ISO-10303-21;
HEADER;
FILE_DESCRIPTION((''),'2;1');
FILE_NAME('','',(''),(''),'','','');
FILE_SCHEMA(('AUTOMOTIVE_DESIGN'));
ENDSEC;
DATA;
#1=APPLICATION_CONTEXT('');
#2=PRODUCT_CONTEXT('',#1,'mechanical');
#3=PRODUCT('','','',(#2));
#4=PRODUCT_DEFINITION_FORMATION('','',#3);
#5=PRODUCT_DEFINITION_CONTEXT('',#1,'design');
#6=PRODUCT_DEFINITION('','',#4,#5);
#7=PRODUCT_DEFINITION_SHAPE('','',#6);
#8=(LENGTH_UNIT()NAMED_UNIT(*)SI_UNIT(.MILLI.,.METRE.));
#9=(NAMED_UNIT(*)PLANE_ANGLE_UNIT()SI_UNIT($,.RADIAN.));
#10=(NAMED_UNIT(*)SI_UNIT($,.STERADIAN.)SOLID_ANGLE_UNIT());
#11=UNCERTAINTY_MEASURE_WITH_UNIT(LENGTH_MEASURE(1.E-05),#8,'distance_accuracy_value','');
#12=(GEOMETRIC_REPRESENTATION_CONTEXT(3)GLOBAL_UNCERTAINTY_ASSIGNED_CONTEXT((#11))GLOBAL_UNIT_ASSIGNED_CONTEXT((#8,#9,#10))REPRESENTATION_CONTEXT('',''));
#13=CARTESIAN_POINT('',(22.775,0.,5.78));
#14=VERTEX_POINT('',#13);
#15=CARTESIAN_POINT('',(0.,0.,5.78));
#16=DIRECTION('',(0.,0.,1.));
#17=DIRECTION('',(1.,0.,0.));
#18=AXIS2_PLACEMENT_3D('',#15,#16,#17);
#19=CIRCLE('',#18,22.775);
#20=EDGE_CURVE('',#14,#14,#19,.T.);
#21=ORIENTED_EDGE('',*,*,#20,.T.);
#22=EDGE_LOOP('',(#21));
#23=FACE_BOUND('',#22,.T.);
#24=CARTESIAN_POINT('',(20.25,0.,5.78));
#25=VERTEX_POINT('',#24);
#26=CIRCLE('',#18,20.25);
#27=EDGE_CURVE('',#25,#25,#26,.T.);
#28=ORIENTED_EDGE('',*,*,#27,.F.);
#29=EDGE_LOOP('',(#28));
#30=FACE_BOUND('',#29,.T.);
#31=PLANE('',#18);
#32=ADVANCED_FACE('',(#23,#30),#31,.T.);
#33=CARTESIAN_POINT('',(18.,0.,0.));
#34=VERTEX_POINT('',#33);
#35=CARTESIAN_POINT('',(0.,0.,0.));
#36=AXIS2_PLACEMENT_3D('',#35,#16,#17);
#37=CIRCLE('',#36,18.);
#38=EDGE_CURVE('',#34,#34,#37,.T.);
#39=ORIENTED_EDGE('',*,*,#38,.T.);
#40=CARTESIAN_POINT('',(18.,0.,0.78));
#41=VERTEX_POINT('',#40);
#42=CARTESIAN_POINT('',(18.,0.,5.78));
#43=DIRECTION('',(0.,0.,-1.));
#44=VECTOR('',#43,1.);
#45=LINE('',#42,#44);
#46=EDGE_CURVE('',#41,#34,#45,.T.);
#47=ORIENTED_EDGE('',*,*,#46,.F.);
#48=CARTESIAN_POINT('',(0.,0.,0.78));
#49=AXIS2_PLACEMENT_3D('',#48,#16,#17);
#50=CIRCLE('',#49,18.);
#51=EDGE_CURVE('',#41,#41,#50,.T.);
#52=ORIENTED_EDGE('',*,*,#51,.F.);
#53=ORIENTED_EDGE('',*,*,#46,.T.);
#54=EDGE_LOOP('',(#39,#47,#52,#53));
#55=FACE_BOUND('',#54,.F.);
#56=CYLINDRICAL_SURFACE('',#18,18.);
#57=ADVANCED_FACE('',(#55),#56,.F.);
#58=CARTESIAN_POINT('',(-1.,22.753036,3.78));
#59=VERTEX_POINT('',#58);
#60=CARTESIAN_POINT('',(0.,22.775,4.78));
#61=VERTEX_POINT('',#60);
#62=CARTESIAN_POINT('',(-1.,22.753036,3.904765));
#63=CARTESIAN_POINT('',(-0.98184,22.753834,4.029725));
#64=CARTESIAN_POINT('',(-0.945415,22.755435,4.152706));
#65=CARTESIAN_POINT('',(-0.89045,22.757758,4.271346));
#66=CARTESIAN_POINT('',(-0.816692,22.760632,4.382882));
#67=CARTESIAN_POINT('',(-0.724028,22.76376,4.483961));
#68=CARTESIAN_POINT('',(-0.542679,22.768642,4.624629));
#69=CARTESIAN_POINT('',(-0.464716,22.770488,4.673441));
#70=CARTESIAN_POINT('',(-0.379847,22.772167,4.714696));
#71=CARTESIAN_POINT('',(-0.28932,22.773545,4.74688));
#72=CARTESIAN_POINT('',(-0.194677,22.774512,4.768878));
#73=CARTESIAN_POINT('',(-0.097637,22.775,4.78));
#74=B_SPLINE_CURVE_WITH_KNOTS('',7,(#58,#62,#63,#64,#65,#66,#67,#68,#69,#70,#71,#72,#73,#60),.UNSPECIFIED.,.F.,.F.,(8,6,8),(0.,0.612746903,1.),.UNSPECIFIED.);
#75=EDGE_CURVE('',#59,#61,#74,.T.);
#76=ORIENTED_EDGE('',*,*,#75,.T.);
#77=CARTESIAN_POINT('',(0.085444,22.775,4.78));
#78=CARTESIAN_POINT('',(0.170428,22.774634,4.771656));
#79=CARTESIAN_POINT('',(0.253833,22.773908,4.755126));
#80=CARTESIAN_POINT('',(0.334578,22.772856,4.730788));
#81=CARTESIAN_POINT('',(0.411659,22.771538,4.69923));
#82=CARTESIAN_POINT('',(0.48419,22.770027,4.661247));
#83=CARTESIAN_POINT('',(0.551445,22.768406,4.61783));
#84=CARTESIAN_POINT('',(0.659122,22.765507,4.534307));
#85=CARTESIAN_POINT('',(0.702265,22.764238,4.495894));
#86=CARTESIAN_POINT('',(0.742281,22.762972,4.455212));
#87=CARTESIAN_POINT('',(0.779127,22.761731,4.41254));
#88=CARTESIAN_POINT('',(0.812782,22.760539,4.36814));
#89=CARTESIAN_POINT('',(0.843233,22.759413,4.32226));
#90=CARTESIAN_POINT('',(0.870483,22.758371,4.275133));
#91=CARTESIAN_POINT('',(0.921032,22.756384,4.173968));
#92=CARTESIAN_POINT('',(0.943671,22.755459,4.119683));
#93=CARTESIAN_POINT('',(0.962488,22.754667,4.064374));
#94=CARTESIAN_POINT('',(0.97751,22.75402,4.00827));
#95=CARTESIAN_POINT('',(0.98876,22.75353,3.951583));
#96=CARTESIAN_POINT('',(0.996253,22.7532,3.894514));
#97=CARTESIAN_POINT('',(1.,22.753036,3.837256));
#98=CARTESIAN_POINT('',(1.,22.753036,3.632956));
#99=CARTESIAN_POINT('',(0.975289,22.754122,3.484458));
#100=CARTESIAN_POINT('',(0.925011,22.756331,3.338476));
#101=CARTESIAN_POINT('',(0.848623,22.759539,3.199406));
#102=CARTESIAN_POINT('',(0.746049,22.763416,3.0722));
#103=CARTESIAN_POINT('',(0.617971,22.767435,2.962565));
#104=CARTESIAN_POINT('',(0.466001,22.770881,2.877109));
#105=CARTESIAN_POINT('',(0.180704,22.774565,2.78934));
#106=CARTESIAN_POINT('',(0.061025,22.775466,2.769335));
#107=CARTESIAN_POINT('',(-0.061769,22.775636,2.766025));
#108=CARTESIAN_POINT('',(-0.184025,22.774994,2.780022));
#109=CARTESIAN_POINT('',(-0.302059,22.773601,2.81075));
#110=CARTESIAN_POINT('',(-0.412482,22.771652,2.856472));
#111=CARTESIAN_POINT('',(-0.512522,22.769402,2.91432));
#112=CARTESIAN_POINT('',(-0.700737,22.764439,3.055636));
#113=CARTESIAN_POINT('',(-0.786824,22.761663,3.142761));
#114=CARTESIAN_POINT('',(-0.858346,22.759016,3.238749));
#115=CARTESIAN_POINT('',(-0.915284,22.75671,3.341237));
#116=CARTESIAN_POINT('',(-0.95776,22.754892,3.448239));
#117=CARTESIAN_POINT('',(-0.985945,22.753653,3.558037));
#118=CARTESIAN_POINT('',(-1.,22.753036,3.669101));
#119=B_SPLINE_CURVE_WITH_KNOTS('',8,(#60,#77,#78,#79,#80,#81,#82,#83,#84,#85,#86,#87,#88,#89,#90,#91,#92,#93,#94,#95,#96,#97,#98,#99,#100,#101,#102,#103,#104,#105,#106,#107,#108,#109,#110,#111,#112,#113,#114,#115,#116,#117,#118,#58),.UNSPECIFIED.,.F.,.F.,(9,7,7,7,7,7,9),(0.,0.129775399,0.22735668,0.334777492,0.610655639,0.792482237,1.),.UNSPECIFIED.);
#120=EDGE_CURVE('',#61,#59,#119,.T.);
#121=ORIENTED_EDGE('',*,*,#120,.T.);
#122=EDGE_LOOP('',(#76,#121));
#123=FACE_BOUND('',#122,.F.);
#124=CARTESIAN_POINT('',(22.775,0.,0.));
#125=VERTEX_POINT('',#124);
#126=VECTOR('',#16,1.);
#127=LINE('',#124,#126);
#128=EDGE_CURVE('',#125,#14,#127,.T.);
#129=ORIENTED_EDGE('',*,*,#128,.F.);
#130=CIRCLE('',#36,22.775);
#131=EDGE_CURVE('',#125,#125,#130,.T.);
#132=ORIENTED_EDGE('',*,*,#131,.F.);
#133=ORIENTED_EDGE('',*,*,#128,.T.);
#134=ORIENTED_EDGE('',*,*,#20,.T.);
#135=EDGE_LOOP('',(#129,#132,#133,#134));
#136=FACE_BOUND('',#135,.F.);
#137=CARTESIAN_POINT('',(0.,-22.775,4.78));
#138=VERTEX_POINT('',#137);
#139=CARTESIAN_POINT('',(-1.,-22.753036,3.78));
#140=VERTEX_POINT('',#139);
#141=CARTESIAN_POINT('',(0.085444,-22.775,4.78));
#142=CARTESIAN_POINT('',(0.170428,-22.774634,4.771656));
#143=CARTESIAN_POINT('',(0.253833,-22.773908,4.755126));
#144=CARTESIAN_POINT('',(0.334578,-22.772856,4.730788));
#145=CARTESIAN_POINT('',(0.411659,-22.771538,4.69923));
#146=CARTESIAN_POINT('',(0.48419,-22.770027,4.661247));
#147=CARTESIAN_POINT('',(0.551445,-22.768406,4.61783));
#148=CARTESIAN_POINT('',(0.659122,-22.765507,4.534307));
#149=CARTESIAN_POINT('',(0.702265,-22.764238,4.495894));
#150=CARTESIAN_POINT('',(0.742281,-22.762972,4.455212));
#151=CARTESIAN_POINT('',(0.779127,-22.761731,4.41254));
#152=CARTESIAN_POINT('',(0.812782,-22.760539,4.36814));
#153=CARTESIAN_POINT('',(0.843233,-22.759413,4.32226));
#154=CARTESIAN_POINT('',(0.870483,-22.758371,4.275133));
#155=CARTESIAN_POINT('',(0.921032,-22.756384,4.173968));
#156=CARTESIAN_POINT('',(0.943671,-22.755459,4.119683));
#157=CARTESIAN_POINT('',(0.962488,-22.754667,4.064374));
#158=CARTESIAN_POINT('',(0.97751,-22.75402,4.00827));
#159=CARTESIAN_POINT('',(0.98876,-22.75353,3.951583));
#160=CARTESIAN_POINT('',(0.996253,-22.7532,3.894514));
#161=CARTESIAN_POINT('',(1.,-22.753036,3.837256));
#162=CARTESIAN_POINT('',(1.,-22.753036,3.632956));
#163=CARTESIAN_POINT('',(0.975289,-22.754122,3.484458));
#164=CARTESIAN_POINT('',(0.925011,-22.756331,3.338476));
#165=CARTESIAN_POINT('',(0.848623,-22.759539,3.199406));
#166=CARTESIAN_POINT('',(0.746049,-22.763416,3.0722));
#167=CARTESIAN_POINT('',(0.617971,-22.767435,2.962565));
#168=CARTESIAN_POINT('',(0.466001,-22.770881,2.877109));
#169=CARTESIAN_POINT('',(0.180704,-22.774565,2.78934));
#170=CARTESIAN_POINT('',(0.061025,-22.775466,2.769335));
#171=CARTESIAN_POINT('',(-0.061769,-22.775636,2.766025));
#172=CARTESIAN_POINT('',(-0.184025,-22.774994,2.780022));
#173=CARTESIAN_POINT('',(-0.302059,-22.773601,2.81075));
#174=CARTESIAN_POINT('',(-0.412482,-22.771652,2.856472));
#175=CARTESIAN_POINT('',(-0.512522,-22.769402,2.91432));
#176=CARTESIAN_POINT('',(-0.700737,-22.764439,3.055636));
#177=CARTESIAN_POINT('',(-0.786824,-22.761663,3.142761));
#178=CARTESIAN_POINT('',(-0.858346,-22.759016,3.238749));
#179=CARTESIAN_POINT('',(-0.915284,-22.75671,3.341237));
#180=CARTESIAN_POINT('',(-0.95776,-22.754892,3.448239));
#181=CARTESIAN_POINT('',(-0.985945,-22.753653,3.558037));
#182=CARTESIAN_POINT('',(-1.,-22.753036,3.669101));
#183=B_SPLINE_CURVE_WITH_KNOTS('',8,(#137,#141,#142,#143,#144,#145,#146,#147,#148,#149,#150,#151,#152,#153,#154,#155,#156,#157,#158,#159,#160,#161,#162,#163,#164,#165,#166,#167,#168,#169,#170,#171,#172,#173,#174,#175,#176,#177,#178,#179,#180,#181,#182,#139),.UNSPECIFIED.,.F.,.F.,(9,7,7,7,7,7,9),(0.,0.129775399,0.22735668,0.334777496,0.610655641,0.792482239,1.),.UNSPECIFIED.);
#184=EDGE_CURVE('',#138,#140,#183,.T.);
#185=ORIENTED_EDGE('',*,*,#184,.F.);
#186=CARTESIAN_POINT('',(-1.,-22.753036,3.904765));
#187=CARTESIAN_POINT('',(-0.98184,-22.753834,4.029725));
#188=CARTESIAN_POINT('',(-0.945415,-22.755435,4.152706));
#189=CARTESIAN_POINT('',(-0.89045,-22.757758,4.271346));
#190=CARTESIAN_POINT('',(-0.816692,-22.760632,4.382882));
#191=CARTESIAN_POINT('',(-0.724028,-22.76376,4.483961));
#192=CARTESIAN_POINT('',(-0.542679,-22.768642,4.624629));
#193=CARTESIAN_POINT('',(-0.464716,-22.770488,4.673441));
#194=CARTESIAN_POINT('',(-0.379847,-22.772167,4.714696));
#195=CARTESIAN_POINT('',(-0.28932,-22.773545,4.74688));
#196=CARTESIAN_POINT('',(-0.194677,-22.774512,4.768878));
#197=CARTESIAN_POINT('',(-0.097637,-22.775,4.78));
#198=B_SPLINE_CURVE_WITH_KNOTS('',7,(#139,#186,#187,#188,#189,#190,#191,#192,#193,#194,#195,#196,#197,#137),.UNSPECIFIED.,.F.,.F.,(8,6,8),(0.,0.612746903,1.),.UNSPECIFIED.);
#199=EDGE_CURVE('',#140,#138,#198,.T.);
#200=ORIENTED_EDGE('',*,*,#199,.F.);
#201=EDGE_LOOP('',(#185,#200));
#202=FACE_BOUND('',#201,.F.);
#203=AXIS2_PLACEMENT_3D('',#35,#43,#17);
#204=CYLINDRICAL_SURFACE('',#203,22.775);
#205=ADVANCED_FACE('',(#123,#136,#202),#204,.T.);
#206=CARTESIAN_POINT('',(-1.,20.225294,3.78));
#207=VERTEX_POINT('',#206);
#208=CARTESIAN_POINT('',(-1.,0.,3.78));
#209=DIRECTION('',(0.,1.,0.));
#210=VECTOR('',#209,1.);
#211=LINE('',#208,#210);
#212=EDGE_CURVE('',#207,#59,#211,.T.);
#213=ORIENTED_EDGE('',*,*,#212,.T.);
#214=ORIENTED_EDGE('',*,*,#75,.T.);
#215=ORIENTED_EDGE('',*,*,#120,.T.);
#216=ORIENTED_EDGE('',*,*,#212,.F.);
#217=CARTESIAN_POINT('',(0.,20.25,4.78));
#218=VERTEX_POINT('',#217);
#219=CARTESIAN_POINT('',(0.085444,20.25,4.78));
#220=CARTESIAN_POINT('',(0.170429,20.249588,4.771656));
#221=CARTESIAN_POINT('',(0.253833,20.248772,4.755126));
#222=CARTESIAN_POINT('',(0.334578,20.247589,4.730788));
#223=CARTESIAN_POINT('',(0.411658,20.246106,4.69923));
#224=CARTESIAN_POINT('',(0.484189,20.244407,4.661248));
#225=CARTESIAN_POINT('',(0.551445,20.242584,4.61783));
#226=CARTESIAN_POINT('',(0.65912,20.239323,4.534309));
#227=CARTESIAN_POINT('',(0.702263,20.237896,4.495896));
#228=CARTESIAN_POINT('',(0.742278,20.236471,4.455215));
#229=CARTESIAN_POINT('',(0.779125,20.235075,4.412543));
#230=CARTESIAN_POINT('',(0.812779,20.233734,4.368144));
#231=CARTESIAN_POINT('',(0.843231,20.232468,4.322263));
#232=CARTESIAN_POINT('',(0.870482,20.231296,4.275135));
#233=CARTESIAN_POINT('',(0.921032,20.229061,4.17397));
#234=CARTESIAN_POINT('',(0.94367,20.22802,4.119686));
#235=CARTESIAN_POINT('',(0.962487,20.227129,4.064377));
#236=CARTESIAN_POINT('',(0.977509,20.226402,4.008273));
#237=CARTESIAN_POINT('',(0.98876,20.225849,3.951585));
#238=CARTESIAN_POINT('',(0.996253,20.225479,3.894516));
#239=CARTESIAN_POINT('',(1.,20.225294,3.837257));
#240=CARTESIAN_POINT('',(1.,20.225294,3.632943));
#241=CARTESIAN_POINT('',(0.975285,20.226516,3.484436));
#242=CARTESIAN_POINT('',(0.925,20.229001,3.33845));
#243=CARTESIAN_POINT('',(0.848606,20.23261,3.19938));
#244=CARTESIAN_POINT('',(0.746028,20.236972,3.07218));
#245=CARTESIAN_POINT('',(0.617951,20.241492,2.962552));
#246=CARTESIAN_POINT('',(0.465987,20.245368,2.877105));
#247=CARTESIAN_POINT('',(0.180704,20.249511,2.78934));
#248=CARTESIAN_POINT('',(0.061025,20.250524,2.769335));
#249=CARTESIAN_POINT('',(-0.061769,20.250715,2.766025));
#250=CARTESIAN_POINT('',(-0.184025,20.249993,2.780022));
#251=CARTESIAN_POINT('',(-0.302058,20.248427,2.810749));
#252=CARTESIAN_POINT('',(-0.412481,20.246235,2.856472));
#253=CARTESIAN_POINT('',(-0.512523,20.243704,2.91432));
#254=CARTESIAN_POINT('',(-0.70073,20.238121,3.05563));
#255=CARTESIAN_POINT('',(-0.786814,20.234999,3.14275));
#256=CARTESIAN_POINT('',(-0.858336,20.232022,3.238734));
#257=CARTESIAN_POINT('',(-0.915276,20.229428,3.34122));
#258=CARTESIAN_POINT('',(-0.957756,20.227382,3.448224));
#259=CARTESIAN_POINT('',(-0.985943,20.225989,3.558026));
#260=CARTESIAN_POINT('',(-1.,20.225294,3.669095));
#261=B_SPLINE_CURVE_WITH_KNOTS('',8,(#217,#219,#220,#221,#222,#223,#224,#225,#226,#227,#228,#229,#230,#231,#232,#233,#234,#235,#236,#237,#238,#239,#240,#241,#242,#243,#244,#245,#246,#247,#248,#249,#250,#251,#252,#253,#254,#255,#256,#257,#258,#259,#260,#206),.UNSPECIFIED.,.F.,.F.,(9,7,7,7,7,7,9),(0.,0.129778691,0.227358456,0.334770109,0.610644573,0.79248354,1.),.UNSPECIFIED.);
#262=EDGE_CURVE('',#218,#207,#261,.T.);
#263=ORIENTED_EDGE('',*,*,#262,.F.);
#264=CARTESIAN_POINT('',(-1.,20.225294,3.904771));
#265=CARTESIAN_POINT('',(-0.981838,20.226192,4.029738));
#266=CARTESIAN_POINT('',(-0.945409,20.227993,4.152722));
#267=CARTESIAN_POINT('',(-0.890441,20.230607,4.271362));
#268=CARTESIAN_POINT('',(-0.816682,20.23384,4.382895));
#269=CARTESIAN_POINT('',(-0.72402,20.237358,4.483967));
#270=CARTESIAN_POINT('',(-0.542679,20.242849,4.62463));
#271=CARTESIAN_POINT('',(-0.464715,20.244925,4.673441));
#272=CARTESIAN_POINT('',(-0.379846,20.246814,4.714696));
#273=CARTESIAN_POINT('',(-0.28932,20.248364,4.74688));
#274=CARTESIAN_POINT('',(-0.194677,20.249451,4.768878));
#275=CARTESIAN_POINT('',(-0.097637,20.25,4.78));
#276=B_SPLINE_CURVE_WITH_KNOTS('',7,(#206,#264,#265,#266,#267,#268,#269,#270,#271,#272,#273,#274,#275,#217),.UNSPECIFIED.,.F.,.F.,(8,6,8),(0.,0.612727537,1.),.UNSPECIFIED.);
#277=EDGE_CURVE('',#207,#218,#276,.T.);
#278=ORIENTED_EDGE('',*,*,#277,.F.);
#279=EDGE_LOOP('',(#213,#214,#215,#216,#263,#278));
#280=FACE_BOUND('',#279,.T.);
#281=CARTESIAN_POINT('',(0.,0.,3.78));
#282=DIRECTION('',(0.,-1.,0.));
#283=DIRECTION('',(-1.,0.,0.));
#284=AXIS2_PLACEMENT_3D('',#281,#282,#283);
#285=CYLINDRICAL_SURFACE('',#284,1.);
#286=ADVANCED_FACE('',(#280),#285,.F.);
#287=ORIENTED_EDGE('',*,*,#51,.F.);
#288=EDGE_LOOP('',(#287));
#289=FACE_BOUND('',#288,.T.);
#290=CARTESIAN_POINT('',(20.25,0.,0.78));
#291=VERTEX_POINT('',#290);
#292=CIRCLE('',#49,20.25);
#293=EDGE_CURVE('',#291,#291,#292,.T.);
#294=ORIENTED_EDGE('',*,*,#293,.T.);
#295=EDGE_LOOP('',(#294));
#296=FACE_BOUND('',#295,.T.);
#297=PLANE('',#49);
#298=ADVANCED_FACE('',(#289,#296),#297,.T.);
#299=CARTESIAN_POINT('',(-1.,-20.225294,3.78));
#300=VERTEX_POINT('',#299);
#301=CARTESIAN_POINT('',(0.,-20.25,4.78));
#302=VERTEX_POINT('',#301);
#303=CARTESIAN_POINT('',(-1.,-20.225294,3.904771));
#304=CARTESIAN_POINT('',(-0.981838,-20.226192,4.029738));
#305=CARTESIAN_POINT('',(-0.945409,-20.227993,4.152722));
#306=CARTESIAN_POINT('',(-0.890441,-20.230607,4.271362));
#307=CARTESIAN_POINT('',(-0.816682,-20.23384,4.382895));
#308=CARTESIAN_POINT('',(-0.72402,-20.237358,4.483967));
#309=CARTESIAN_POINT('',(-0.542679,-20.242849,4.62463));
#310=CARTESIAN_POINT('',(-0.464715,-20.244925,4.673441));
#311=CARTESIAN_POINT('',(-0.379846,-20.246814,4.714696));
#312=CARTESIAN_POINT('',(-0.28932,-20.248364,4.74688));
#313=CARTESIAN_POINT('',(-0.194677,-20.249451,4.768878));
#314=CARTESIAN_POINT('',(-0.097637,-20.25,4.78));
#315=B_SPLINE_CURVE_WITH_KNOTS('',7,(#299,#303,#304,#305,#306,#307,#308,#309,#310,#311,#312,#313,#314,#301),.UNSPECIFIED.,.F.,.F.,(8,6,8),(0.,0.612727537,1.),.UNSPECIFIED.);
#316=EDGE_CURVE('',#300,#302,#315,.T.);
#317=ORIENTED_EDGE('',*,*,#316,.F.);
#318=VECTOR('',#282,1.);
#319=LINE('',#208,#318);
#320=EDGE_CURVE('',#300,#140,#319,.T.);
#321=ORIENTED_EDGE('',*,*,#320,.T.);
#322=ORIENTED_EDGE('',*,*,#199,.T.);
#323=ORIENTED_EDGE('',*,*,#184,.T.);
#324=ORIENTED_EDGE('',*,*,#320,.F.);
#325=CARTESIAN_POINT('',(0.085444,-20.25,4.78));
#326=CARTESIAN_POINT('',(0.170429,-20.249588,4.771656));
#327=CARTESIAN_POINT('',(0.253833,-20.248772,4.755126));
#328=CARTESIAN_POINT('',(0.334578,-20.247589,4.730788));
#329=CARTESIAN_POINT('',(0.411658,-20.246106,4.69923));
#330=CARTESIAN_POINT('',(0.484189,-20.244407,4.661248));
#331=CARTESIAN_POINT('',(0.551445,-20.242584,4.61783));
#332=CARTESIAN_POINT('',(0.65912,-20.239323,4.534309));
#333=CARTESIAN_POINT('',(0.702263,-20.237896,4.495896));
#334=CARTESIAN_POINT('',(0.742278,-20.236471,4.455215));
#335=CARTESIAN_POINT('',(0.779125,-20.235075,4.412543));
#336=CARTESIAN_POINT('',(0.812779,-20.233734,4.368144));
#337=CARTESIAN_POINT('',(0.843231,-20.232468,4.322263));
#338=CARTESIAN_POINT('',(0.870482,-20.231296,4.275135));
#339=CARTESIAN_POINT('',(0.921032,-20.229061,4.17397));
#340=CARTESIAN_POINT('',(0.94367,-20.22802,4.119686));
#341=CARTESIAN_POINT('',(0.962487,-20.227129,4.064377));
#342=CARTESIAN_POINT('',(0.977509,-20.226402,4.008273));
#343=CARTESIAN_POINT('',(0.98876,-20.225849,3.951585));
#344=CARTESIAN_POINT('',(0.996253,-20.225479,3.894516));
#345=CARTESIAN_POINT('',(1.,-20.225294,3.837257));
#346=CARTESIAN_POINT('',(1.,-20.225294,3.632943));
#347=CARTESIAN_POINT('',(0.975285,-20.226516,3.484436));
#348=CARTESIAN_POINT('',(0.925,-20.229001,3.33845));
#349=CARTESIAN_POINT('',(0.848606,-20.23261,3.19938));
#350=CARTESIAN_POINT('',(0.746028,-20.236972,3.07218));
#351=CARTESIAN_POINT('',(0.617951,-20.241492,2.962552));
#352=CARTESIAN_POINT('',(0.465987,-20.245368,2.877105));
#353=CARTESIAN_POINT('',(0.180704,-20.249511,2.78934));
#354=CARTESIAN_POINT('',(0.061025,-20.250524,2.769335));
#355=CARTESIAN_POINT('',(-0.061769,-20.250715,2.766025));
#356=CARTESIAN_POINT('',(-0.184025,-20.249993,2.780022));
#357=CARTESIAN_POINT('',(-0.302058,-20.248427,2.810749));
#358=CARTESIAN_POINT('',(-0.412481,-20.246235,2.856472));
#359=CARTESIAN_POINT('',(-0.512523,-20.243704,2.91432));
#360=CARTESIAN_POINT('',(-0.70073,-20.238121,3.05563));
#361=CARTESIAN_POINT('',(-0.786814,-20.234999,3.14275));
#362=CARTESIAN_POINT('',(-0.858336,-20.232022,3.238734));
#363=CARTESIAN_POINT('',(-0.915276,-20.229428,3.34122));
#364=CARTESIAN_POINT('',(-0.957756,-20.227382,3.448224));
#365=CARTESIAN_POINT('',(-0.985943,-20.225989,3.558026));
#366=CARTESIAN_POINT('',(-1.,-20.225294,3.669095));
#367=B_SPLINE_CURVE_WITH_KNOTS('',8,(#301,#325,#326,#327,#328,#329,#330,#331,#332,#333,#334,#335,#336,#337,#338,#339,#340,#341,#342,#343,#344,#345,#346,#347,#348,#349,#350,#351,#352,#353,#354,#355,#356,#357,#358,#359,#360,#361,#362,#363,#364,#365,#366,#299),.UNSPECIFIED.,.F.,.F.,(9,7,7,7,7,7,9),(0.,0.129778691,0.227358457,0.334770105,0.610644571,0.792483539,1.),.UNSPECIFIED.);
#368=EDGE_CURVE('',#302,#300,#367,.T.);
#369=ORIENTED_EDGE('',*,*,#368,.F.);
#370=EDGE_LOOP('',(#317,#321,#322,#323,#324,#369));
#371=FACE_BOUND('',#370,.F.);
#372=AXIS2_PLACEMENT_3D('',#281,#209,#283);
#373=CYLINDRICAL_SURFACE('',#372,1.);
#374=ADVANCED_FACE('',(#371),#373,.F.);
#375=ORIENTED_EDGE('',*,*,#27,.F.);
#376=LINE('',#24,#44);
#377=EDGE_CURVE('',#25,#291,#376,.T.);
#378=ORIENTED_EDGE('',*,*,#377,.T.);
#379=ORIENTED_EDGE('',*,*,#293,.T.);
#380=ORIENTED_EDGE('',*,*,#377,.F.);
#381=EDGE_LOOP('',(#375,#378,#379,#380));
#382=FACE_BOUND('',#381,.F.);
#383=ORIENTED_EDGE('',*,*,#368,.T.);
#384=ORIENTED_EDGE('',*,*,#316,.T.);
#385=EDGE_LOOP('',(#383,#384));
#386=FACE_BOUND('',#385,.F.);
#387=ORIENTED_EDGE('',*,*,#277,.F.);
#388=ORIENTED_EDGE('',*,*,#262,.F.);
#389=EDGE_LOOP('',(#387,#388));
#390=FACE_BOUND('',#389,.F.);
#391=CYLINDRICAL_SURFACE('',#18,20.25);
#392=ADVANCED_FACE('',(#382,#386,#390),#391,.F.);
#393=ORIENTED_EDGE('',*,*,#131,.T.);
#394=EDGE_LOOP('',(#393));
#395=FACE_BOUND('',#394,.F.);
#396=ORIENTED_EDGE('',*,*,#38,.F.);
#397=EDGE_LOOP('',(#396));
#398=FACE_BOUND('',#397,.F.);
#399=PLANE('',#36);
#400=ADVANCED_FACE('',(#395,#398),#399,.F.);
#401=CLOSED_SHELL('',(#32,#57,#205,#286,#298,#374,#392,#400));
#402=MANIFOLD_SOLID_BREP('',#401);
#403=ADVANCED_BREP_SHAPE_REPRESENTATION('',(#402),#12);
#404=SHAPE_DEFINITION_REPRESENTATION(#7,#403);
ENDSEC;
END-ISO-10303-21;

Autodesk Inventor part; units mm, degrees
ref_plane "YZ Plane" through (0, 0, 0) normal (1, 0, 0) x (0, 1, 0)
ref_plane "XZ Plane" through (0, 0, 0) normal (0, 1, 0) x (-1, 0, 0)
ref_plane "XY Plane" through (0, 0, 0) normal (0, 0, 1) x (1, 0, 0)
sketch "Sketch1" plane through (0, 0, 0) normal (0, 0, 1) x (1, 0, 0)
  circle A0 centre (0, 0) radius 22.775
  dimension "d0" = 45.55
extrude "Extrusion1" add sketch "Sketch1" along normal blind 5.78
sketch "Sketch2" plane through (0, 0, 5.78) normal (0, 0, 1) x (1, 0, 0)
  circle A0 centre (0, 0) radius 18
  dimension "d3" = 36
extrude "Through-hole" cut sketch "Sketch2" against normal blind 548
sketch "Sketch3" plane through (0, 0, 5.78) normal (0, 0, 1) x (1, 0, 0)
  circle A0 centre (0, 0) radius 20.25
  dimension "d6" = 40.5
extrude "snug ring fit" cut sketch "Sketch3" against normal blind 5
sketch "Sketch4" plane through (0, 0, 0) normal (0, 1, 0) x (-1, 0, 0)
  line L0 (22.775, 5.78) -> (-22.775, 5.78) projected
  line L1 (0, 5.78) -> (0, 3.78)
  circle A0 centre (0, 3.78) radius 1
  point P0 (0, 0)
  dimension "d9" = 2
  dimension "d10" = 2
extrude "Extrusion4" cut sketch "Sketch4" along normal mid plane 548
properties part number "Diaphragm_lock"
